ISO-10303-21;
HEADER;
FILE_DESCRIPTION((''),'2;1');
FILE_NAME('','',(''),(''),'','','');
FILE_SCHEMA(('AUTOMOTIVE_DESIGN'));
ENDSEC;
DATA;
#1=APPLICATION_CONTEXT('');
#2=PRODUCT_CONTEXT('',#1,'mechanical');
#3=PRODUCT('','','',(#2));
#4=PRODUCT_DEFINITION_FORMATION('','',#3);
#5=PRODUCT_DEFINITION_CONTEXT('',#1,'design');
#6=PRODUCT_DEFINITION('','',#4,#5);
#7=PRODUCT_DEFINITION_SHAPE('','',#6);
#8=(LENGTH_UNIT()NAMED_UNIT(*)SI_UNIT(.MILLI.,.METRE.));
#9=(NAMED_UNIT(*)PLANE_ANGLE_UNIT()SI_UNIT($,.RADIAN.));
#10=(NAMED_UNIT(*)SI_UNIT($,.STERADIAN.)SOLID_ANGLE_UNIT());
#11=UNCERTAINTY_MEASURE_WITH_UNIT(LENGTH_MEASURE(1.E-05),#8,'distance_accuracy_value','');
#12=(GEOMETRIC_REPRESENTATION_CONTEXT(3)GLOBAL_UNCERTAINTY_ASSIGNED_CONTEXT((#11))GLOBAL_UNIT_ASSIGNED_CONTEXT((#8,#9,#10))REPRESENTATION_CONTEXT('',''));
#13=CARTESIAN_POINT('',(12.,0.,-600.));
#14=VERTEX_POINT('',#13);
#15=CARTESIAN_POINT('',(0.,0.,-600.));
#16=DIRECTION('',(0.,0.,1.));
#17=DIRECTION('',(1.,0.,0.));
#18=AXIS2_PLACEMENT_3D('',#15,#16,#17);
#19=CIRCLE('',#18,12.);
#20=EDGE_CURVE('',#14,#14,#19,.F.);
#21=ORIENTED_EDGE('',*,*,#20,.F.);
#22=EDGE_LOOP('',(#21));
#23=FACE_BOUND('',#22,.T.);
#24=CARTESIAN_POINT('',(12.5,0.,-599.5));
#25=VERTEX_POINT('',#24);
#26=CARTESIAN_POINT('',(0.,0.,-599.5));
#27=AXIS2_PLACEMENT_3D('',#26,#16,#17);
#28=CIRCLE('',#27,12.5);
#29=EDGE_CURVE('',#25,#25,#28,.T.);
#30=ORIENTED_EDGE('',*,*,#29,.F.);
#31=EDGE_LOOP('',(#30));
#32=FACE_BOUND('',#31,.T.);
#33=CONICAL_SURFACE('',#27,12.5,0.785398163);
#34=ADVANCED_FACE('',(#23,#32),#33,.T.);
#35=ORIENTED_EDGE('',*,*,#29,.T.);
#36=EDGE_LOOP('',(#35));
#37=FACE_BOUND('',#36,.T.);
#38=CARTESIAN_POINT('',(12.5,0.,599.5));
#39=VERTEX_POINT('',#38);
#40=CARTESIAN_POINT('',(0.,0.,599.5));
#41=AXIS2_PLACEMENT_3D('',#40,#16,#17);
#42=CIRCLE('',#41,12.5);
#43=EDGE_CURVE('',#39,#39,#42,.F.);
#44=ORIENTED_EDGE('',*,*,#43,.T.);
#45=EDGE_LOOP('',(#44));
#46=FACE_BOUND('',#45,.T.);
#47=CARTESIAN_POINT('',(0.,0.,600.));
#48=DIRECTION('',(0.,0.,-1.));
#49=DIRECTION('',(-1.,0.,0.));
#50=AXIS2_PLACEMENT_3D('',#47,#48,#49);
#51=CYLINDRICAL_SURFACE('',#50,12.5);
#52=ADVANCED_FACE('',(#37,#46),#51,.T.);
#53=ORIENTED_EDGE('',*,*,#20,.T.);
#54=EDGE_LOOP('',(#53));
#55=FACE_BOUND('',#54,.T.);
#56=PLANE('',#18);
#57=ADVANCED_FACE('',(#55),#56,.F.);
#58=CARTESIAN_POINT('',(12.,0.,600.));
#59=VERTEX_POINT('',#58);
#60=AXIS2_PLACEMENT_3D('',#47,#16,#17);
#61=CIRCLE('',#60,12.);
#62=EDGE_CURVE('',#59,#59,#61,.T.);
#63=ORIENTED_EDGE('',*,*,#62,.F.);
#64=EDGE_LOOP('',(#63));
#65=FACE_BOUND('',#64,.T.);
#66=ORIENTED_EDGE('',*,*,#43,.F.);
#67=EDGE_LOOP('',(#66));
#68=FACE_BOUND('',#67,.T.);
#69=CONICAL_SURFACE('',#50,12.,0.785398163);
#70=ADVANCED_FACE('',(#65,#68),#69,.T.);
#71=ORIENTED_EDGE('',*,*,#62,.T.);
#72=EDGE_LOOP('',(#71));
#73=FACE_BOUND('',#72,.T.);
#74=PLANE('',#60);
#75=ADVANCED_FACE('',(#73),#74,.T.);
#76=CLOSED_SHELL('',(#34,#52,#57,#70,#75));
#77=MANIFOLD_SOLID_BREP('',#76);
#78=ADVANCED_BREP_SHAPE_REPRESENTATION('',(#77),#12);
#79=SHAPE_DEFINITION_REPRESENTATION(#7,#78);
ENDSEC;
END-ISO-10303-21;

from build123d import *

# Parameters (mm, degrees)
SKETCH3_R                = 12.5
BOSS_EXTRUDE1_DEPTH      = 600
BOSS_EXTRUDE1_DEPTH_BACK = 600
CHAMFER1_SIZE            = 0.5


with BuildPart() as part:
    # Sketch3 → Boss-Extrude1 (new body, two sides)
    with BuildSketch(Plane.XY) as boss_extrude1_sk:
        Circle(SKETCH3_R)
    extrude(amount=BOSS_EXTRUDE1_DEPTH)
    extrude(boss_extrude1_sk.sketch, amount=-BOSS_EXTRUDE1_DEPTH_BACK)

    # Chamfer1
    chamfer1_edges = [part.edges().sort_by_distance(p)[0] for p in [
        (-12.5, 0, -600),
        (-12.5, 0, 600),
    ]]
    chamfer(chamfer1_edges, length=CHAMFER1_SIZE)


solid = part.part
